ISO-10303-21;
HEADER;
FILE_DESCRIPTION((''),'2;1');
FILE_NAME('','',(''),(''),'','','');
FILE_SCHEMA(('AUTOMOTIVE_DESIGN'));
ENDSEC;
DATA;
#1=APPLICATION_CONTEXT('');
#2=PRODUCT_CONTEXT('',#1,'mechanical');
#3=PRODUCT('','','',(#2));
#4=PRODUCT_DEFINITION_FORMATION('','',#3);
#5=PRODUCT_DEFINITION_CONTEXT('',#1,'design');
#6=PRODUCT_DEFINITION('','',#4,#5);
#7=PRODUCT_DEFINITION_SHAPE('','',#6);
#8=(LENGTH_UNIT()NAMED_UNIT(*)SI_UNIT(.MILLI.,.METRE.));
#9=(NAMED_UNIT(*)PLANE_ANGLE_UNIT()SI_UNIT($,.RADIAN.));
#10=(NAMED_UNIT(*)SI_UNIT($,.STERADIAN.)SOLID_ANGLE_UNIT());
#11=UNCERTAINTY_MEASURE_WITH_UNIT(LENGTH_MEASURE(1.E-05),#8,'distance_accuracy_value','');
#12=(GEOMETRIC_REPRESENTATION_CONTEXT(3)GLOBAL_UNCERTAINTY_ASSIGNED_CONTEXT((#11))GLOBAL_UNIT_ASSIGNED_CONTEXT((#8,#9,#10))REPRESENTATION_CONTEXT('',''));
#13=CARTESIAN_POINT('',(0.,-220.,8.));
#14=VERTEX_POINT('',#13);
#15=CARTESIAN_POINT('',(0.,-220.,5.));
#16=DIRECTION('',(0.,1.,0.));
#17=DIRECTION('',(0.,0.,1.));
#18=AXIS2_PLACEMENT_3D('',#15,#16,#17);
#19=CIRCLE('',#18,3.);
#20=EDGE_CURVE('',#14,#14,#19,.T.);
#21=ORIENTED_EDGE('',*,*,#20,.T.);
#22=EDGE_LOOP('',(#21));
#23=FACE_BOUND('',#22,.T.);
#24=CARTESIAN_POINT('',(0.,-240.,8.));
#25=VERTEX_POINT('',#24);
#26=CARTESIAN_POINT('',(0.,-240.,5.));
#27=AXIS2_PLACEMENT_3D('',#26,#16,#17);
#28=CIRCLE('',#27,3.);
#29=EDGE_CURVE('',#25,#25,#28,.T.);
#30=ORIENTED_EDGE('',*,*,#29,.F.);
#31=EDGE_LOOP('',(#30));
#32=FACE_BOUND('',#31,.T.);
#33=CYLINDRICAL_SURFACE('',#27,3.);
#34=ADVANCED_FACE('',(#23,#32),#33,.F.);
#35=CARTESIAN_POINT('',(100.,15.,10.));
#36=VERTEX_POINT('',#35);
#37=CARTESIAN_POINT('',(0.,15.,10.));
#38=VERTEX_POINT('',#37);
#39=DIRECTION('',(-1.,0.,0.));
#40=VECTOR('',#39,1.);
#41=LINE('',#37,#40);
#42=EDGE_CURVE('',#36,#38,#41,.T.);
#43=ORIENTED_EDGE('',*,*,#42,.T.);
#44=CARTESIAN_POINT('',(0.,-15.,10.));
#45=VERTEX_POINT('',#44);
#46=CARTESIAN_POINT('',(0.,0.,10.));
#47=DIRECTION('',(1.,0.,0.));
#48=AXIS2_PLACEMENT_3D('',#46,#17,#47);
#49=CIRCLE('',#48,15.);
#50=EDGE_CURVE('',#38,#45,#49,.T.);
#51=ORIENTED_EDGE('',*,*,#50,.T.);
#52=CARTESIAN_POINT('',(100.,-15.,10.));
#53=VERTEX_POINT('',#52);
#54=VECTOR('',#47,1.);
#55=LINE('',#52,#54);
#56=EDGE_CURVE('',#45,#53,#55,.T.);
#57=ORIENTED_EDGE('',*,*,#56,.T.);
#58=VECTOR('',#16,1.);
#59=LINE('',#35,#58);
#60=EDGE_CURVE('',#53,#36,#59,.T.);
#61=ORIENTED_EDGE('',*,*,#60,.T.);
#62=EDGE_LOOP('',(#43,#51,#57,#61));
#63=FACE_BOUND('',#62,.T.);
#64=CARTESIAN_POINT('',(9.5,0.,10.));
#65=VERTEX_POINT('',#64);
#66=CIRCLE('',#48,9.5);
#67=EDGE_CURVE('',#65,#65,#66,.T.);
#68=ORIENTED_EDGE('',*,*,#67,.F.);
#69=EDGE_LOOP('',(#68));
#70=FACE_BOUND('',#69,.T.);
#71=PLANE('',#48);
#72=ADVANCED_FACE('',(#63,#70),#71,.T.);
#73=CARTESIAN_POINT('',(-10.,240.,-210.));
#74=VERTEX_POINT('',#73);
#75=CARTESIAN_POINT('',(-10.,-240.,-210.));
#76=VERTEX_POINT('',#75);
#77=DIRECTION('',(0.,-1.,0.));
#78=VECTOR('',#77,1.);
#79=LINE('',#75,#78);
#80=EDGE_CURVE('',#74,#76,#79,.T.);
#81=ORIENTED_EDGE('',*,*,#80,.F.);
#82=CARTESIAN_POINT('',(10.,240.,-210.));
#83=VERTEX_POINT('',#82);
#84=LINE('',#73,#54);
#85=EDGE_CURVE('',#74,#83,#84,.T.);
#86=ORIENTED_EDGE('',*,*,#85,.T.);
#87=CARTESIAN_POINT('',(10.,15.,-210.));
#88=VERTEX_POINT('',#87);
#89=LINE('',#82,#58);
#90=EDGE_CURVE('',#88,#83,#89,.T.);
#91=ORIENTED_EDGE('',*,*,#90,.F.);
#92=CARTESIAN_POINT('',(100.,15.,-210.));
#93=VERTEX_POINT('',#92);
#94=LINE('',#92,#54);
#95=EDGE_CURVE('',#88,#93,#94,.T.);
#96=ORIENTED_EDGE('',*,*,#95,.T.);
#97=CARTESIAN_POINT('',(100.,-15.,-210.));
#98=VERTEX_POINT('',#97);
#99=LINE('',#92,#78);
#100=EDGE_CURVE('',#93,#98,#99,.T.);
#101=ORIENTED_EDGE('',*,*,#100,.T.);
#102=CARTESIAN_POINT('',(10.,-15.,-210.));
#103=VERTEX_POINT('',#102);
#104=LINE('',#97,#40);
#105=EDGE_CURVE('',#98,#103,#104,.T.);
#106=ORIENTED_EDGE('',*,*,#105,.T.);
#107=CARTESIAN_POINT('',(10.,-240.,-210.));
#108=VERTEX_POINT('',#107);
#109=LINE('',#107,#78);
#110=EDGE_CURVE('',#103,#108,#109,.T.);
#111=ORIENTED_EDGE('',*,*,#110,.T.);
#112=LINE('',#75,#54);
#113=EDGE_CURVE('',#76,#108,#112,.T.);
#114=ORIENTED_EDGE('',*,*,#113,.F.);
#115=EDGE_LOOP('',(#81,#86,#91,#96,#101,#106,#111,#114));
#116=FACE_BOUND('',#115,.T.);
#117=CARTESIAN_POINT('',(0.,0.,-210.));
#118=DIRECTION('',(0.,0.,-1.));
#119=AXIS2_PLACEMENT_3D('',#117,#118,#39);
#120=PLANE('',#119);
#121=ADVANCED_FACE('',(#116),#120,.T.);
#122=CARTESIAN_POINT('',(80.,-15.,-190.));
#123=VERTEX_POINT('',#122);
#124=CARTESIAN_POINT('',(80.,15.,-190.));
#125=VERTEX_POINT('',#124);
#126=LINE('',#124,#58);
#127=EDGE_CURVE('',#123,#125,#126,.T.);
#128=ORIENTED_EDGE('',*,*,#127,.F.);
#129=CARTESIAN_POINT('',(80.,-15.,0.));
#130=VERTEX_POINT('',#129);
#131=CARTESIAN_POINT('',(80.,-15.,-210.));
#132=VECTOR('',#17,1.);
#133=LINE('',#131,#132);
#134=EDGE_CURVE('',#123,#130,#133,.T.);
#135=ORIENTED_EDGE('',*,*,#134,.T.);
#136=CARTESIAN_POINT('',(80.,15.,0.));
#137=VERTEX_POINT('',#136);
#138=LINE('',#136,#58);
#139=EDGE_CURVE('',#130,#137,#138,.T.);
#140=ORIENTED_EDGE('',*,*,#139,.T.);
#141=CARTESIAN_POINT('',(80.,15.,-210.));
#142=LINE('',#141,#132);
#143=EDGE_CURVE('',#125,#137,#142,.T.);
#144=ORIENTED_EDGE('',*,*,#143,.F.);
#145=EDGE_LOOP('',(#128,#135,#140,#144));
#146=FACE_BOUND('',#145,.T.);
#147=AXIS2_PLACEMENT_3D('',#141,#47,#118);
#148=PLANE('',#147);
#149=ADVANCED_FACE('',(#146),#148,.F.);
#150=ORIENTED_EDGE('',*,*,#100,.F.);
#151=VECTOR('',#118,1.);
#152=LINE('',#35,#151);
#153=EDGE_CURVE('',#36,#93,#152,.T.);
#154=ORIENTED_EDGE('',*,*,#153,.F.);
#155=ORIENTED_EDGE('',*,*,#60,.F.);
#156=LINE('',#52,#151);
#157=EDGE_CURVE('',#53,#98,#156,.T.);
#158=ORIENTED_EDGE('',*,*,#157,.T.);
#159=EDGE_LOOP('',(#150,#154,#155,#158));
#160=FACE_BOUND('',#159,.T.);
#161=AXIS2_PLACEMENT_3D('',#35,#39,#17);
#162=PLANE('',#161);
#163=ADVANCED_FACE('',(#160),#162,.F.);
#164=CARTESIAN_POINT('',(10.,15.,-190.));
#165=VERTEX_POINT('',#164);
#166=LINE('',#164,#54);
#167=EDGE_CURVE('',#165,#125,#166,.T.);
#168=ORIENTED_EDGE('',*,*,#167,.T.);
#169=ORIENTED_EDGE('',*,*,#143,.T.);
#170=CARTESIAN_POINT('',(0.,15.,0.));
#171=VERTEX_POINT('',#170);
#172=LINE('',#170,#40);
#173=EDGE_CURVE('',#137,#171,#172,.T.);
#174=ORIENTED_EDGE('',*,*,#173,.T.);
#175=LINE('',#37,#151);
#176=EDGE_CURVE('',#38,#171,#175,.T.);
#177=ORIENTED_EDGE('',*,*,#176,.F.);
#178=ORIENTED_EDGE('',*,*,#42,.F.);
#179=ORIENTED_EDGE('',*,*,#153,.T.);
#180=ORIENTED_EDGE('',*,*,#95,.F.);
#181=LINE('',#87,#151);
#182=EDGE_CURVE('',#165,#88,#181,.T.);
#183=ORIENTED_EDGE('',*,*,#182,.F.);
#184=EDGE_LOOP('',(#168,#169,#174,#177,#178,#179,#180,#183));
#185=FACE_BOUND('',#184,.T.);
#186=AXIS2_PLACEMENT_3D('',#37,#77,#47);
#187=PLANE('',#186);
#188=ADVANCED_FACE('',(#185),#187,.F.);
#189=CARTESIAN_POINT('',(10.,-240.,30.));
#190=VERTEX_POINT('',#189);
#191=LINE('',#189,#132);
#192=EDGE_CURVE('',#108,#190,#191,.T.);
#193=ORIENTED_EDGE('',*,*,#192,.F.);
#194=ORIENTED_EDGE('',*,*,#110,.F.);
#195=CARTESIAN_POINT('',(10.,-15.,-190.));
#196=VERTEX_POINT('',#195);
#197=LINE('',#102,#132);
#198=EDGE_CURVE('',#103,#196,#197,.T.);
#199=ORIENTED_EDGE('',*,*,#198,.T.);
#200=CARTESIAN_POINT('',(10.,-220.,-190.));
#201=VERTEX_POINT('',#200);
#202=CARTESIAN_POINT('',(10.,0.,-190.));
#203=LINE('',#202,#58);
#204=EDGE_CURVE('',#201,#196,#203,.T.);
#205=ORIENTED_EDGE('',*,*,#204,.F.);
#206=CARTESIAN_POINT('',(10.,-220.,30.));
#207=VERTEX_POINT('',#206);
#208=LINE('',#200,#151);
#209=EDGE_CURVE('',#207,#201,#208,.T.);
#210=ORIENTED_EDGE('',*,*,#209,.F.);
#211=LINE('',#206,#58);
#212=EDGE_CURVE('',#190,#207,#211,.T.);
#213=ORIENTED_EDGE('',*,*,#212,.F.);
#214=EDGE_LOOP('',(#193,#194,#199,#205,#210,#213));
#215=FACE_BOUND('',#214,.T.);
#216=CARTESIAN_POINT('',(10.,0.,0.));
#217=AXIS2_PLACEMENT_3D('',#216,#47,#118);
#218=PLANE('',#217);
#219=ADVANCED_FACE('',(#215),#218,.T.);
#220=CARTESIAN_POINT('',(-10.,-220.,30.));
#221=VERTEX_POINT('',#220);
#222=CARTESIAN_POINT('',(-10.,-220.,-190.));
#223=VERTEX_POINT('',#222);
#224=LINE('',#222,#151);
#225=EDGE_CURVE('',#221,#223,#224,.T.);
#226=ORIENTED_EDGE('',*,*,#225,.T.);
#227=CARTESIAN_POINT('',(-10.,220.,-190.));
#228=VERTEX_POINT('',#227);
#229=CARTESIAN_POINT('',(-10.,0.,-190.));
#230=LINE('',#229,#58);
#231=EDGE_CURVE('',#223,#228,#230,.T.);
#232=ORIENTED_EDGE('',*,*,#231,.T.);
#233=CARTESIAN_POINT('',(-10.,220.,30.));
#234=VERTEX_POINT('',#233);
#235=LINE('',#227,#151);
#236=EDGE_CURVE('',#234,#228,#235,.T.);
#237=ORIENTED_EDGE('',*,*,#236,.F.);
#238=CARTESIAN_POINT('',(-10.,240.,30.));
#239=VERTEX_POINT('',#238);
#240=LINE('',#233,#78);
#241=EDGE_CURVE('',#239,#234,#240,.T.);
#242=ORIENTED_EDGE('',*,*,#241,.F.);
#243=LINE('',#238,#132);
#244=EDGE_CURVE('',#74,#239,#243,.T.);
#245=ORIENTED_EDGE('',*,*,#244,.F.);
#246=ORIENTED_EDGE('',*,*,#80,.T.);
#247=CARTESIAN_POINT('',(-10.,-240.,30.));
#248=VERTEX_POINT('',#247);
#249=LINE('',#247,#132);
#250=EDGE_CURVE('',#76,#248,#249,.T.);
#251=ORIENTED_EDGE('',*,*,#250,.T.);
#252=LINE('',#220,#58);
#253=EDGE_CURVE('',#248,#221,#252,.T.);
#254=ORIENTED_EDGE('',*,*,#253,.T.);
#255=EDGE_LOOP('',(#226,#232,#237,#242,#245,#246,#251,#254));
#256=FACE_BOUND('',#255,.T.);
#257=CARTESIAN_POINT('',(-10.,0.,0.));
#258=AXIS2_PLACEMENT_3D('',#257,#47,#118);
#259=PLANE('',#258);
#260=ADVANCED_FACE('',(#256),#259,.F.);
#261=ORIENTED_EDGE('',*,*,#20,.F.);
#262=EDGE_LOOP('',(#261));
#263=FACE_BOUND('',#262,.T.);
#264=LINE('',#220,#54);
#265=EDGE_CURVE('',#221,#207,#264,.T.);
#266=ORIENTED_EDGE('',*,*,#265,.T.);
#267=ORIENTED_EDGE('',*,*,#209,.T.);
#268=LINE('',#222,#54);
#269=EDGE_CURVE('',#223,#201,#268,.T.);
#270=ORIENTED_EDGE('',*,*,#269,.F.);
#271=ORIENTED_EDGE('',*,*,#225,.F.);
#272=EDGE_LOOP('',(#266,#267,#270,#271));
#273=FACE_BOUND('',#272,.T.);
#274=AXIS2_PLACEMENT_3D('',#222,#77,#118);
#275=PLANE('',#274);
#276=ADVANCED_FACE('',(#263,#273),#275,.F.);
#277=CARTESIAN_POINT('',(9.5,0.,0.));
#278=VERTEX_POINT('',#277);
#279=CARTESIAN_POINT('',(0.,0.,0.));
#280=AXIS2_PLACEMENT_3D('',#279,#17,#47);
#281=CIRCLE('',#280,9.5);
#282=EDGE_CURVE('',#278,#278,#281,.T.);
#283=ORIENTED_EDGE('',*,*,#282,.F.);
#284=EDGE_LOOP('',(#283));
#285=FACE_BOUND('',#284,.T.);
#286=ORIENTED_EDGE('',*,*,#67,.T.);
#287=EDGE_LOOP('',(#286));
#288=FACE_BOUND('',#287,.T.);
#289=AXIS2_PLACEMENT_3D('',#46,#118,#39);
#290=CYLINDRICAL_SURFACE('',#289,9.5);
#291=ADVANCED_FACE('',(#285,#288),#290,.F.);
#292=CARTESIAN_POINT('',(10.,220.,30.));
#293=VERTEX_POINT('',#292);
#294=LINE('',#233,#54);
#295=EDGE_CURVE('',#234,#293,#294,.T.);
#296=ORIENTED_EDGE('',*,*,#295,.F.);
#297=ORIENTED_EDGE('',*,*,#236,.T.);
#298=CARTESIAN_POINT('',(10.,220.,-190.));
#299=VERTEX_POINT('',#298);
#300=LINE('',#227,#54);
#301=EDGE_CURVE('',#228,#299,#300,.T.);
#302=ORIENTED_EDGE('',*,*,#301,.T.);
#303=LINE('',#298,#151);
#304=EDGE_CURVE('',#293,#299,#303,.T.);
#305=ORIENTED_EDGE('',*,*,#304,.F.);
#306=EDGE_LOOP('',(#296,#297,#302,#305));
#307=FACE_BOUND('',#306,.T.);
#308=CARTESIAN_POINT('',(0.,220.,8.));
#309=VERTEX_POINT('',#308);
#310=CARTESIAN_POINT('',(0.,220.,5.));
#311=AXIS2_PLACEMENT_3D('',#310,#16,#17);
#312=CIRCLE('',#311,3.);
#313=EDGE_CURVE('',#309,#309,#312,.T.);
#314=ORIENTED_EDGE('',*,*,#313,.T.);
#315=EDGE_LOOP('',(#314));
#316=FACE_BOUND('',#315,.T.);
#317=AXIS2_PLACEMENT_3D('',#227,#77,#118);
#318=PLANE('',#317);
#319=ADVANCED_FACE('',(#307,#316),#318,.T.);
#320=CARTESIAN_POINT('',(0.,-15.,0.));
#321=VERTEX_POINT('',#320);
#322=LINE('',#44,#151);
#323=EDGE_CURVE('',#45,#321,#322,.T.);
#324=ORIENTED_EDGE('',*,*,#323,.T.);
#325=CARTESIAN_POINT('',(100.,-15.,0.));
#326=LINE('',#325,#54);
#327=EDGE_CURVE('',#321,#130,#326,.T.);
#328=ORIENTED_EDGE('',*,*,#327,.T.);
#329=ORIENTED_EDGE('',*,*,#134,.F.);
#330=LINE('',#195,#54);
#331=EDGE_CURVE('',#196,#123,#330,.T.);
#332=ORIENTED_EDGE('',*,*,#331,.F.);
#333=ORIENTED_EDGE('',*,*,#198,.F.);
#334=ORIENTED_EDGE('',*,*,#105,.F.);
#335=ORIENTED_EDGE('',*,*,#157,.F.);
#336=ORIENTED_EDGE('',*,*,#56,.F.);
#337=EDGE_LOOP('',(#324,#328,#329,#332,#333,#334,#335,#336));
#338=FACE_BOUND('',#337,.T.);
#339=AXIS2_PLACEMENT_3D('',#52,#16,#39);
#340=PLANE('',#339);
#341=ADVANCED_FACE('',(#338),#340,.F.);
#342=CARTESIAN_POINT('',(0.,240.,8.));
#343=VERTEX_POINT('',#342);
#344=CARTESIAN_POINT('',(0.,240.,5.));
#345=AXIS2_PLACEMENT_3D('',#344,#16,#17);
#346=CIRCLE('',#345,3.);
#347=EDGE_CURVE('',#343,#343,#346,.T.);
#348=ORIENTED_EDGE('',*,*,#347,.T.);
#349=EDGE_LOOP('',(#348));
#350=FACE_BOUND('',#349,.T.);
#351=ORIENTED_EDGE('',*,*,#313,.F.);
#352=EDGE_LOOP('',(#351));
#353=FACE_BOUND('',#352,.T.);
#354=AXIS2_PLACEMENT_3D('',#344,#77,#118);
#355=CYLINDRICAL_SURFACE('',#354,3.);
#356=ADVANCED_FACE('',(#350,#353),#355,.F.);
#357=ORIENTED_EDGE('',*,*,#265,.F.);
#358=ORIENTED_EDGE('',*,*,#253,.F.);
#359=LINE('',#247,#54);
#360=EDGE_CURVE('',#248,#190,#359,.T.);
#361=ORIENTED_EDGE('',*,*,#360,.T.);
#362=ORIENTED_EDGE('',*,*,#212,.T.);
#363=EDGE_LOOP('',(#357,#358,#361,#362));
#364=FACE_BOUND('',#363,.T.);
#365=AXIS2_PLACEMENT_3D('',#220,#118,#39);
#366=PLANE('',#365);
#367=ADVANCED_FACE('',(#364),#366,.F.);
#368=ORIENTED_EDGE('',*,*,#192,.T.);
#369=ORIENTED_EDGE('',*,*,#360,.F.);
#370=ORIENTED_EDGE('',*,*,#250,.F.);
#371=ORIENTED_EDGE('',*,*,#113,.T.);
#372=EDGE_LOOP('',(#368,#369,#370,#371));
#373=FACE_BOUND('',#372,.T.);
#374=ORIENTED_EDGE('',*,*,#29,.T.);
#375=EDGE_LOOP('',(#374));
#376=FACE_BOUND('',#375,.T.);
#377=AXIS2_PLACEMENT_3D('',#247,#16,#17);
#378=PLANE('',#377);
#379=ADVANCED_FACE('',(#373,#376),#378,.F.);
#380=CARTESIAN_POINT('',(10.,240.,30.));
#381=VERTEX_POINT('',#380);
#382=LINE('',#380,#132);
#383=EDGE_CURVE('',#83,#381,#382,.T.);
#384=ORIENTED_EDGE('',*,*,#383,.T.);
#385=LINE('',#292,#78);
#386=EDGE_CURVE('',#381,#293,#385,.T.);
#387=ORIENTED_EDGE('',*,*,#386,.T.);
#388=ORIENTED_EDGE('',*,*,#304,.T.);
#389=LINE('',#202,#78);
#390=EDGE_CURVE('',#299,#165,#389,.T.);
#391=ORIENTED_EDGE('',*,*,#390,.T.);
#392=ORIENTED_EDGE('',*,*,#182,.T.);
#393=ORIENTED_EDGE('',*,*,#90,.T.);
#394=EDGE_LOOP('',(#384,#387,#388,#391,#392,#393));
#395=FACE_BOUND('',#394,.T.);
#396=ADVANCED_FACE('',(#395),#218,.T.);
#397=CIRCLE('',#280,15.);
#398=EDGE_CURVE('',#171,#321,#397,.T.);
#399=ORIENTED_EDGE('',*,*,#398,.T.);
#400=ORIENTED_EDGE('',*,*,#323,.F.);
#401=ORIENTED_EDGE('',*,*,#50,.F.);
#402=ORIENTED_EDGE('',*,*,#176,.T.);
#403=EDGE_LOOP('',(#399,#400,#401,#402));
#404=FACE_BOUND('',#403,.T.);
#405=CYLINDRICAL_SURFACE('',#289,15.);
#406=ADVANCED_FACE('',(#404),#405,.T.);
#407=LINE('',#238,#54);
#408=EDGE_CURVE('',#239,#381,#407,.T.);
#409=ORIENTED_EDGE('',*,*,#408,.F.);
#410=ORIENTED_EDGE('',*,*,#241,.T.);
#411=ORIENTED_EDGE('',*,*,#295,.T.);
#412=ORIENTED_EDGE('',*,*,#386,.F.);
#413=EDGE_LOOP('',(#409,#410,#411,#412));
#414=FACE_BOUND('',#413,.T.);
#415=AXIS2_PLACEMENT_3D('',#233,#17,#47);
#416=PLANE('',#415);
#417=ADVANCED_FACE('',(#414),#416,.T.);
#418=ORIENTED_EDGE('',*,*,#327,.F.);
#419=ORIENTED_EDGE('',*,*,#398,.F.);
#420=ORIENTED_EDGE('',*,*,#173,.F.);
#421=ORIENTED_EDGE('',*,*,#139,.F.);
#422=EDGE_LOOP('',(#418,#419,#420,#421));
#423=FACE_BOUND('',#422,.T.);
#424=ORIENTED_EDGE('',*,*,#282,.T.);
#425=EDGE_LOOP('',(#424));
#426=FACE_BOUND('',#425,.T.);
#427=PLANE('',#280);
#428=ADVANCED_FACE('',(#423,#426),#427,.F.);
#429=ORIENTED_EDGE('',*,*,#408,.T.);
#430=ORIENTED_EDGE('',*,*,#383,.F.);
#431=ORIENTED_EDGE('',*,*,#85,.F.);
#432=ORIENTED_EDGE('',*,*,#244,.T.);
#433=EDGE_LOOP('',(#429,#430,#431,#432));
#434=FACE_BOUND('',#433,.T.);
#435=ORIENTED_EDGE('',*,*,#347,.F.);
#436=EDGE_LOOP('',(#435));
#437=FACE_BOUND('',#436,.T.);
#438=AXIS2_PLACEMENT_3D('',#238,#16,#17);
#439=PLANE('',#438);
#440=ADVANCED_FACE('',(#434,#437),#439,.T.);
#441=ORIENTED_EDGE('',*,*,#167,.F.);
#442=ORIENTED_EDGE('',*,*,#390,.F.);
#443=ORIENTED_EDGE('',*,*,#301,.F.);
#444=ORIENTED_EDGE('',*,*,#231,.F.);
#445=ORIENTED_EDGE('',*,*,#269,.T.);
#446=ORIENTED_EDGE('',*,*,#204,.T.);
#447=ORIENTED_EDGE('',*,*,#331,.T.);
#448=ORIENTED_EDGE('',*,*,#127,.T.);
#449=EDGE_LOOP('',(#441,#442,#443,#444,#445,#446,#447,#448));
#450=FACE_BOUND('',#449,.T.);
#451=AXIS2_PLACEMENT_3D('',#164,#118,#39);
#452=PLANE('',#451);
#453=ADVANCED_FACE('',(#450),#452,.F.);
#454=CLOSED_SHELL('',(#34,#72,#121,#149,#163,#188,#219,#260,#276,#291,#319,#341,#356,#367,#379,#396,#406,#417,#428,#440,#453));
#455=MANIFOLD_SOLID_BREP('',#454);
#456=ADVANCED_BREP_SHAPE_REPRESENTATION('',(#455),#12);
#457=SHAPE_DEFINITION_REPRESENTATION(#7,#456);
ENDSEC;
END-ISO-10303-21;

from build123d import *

# Parameters (mm, degrees)
SKETCH_1_R          = 9.5
EXTRUDE_1_DEPTH     = 10
SKETCH_2_W          = 20
SKETCH_2_H          = 30
EXTRUDE_2_DEPTH     = 210
SKETCH_3_W          = 20
SKETCH_3_H          = 30
EXTRUDE_3_DEPTH     = 70
EXTRUDE_4_DEPTH     = 20
SKETCH_5_R          = 3
CUT_EXTRUDE_1_DEPTH = 20


with BuildPart() as part:
    # 草图1 → 凸台-拉伸1 (new body)
    with BuildSketch(Plane.XY):
        with BuildLine():
            Line((0, 15), (100, 15))
            Line((100, 15), (100, -15))
            Line((100, -15), (0, -15))
            ThreePointArc((0, -15), (-15, 0), (0, 15))
        make_face()
        Circle(SKETCH_1_R, mode=Mode.SUBTRACT)
    extrude(amount=EXTRUDE_1_DEPTH)

    # 草图2 → 凸台-拉伸2 (add)
    with BuildSketch(Plane(origin=(0, 0, 0), x_dir=(-1, 0, 0), z_dir=(0, 0, -1))):
        with Locations((-90, 0)):
            Rectangle(SKETCH_2_W, SKETCH_2_H)
    extrude(amount=EXTRUDE_2_DEPTH)

    # 草图3 → 凸台-拉伸3 (add)
    with BuildSketch(Plane.ZY.offset(-80)):
        with Locations((-200, 0)):
            Rectangle(SKETCH_3_W, SKETCH_3_H)
    extrude(amount=EXTRUDE_3_DEPTH)

    # 草图4 → 凸台-拉伸4 (add)
    with BuildSketch(Plane.ZY.offset(-10)):
        Polygon((-190, 0), (-190, -220), (30, -220), (30, -240), (-210, -240), (-210, 0), align=None)
    extrude_4 = extrude(amount=EXTRUDE_4_DEPTH)

    # 镜向1: 凸台-拉伸4 across plane
    add(extrude_4.mirror(Plane(origin=(-10, 0, -210), x_dir=(0, 0, 1), z_dir=(0, -1, 0))))

    # 草图5 → 切除-拉伸1 (cut)
    with BuildSketch(Plane(origin=(0, -220, 0), x_dir=(1, 0, 0), z_dir=(0, 1, 0))):
        with Locations((0, -5)):
            Circle(SKETCH_5_R)
    cut_extrude_1 = extrude(amount=-CUT_EXTRUDE_1_DEPTH, mode=Mode.SUBTRACT)

    # 镜向2: 切除-拉伸1 across plane
    add(cut_extrude_1.mirror(Plane.ZX), mode=Mode.SUBTRACT)


solid = part.part
